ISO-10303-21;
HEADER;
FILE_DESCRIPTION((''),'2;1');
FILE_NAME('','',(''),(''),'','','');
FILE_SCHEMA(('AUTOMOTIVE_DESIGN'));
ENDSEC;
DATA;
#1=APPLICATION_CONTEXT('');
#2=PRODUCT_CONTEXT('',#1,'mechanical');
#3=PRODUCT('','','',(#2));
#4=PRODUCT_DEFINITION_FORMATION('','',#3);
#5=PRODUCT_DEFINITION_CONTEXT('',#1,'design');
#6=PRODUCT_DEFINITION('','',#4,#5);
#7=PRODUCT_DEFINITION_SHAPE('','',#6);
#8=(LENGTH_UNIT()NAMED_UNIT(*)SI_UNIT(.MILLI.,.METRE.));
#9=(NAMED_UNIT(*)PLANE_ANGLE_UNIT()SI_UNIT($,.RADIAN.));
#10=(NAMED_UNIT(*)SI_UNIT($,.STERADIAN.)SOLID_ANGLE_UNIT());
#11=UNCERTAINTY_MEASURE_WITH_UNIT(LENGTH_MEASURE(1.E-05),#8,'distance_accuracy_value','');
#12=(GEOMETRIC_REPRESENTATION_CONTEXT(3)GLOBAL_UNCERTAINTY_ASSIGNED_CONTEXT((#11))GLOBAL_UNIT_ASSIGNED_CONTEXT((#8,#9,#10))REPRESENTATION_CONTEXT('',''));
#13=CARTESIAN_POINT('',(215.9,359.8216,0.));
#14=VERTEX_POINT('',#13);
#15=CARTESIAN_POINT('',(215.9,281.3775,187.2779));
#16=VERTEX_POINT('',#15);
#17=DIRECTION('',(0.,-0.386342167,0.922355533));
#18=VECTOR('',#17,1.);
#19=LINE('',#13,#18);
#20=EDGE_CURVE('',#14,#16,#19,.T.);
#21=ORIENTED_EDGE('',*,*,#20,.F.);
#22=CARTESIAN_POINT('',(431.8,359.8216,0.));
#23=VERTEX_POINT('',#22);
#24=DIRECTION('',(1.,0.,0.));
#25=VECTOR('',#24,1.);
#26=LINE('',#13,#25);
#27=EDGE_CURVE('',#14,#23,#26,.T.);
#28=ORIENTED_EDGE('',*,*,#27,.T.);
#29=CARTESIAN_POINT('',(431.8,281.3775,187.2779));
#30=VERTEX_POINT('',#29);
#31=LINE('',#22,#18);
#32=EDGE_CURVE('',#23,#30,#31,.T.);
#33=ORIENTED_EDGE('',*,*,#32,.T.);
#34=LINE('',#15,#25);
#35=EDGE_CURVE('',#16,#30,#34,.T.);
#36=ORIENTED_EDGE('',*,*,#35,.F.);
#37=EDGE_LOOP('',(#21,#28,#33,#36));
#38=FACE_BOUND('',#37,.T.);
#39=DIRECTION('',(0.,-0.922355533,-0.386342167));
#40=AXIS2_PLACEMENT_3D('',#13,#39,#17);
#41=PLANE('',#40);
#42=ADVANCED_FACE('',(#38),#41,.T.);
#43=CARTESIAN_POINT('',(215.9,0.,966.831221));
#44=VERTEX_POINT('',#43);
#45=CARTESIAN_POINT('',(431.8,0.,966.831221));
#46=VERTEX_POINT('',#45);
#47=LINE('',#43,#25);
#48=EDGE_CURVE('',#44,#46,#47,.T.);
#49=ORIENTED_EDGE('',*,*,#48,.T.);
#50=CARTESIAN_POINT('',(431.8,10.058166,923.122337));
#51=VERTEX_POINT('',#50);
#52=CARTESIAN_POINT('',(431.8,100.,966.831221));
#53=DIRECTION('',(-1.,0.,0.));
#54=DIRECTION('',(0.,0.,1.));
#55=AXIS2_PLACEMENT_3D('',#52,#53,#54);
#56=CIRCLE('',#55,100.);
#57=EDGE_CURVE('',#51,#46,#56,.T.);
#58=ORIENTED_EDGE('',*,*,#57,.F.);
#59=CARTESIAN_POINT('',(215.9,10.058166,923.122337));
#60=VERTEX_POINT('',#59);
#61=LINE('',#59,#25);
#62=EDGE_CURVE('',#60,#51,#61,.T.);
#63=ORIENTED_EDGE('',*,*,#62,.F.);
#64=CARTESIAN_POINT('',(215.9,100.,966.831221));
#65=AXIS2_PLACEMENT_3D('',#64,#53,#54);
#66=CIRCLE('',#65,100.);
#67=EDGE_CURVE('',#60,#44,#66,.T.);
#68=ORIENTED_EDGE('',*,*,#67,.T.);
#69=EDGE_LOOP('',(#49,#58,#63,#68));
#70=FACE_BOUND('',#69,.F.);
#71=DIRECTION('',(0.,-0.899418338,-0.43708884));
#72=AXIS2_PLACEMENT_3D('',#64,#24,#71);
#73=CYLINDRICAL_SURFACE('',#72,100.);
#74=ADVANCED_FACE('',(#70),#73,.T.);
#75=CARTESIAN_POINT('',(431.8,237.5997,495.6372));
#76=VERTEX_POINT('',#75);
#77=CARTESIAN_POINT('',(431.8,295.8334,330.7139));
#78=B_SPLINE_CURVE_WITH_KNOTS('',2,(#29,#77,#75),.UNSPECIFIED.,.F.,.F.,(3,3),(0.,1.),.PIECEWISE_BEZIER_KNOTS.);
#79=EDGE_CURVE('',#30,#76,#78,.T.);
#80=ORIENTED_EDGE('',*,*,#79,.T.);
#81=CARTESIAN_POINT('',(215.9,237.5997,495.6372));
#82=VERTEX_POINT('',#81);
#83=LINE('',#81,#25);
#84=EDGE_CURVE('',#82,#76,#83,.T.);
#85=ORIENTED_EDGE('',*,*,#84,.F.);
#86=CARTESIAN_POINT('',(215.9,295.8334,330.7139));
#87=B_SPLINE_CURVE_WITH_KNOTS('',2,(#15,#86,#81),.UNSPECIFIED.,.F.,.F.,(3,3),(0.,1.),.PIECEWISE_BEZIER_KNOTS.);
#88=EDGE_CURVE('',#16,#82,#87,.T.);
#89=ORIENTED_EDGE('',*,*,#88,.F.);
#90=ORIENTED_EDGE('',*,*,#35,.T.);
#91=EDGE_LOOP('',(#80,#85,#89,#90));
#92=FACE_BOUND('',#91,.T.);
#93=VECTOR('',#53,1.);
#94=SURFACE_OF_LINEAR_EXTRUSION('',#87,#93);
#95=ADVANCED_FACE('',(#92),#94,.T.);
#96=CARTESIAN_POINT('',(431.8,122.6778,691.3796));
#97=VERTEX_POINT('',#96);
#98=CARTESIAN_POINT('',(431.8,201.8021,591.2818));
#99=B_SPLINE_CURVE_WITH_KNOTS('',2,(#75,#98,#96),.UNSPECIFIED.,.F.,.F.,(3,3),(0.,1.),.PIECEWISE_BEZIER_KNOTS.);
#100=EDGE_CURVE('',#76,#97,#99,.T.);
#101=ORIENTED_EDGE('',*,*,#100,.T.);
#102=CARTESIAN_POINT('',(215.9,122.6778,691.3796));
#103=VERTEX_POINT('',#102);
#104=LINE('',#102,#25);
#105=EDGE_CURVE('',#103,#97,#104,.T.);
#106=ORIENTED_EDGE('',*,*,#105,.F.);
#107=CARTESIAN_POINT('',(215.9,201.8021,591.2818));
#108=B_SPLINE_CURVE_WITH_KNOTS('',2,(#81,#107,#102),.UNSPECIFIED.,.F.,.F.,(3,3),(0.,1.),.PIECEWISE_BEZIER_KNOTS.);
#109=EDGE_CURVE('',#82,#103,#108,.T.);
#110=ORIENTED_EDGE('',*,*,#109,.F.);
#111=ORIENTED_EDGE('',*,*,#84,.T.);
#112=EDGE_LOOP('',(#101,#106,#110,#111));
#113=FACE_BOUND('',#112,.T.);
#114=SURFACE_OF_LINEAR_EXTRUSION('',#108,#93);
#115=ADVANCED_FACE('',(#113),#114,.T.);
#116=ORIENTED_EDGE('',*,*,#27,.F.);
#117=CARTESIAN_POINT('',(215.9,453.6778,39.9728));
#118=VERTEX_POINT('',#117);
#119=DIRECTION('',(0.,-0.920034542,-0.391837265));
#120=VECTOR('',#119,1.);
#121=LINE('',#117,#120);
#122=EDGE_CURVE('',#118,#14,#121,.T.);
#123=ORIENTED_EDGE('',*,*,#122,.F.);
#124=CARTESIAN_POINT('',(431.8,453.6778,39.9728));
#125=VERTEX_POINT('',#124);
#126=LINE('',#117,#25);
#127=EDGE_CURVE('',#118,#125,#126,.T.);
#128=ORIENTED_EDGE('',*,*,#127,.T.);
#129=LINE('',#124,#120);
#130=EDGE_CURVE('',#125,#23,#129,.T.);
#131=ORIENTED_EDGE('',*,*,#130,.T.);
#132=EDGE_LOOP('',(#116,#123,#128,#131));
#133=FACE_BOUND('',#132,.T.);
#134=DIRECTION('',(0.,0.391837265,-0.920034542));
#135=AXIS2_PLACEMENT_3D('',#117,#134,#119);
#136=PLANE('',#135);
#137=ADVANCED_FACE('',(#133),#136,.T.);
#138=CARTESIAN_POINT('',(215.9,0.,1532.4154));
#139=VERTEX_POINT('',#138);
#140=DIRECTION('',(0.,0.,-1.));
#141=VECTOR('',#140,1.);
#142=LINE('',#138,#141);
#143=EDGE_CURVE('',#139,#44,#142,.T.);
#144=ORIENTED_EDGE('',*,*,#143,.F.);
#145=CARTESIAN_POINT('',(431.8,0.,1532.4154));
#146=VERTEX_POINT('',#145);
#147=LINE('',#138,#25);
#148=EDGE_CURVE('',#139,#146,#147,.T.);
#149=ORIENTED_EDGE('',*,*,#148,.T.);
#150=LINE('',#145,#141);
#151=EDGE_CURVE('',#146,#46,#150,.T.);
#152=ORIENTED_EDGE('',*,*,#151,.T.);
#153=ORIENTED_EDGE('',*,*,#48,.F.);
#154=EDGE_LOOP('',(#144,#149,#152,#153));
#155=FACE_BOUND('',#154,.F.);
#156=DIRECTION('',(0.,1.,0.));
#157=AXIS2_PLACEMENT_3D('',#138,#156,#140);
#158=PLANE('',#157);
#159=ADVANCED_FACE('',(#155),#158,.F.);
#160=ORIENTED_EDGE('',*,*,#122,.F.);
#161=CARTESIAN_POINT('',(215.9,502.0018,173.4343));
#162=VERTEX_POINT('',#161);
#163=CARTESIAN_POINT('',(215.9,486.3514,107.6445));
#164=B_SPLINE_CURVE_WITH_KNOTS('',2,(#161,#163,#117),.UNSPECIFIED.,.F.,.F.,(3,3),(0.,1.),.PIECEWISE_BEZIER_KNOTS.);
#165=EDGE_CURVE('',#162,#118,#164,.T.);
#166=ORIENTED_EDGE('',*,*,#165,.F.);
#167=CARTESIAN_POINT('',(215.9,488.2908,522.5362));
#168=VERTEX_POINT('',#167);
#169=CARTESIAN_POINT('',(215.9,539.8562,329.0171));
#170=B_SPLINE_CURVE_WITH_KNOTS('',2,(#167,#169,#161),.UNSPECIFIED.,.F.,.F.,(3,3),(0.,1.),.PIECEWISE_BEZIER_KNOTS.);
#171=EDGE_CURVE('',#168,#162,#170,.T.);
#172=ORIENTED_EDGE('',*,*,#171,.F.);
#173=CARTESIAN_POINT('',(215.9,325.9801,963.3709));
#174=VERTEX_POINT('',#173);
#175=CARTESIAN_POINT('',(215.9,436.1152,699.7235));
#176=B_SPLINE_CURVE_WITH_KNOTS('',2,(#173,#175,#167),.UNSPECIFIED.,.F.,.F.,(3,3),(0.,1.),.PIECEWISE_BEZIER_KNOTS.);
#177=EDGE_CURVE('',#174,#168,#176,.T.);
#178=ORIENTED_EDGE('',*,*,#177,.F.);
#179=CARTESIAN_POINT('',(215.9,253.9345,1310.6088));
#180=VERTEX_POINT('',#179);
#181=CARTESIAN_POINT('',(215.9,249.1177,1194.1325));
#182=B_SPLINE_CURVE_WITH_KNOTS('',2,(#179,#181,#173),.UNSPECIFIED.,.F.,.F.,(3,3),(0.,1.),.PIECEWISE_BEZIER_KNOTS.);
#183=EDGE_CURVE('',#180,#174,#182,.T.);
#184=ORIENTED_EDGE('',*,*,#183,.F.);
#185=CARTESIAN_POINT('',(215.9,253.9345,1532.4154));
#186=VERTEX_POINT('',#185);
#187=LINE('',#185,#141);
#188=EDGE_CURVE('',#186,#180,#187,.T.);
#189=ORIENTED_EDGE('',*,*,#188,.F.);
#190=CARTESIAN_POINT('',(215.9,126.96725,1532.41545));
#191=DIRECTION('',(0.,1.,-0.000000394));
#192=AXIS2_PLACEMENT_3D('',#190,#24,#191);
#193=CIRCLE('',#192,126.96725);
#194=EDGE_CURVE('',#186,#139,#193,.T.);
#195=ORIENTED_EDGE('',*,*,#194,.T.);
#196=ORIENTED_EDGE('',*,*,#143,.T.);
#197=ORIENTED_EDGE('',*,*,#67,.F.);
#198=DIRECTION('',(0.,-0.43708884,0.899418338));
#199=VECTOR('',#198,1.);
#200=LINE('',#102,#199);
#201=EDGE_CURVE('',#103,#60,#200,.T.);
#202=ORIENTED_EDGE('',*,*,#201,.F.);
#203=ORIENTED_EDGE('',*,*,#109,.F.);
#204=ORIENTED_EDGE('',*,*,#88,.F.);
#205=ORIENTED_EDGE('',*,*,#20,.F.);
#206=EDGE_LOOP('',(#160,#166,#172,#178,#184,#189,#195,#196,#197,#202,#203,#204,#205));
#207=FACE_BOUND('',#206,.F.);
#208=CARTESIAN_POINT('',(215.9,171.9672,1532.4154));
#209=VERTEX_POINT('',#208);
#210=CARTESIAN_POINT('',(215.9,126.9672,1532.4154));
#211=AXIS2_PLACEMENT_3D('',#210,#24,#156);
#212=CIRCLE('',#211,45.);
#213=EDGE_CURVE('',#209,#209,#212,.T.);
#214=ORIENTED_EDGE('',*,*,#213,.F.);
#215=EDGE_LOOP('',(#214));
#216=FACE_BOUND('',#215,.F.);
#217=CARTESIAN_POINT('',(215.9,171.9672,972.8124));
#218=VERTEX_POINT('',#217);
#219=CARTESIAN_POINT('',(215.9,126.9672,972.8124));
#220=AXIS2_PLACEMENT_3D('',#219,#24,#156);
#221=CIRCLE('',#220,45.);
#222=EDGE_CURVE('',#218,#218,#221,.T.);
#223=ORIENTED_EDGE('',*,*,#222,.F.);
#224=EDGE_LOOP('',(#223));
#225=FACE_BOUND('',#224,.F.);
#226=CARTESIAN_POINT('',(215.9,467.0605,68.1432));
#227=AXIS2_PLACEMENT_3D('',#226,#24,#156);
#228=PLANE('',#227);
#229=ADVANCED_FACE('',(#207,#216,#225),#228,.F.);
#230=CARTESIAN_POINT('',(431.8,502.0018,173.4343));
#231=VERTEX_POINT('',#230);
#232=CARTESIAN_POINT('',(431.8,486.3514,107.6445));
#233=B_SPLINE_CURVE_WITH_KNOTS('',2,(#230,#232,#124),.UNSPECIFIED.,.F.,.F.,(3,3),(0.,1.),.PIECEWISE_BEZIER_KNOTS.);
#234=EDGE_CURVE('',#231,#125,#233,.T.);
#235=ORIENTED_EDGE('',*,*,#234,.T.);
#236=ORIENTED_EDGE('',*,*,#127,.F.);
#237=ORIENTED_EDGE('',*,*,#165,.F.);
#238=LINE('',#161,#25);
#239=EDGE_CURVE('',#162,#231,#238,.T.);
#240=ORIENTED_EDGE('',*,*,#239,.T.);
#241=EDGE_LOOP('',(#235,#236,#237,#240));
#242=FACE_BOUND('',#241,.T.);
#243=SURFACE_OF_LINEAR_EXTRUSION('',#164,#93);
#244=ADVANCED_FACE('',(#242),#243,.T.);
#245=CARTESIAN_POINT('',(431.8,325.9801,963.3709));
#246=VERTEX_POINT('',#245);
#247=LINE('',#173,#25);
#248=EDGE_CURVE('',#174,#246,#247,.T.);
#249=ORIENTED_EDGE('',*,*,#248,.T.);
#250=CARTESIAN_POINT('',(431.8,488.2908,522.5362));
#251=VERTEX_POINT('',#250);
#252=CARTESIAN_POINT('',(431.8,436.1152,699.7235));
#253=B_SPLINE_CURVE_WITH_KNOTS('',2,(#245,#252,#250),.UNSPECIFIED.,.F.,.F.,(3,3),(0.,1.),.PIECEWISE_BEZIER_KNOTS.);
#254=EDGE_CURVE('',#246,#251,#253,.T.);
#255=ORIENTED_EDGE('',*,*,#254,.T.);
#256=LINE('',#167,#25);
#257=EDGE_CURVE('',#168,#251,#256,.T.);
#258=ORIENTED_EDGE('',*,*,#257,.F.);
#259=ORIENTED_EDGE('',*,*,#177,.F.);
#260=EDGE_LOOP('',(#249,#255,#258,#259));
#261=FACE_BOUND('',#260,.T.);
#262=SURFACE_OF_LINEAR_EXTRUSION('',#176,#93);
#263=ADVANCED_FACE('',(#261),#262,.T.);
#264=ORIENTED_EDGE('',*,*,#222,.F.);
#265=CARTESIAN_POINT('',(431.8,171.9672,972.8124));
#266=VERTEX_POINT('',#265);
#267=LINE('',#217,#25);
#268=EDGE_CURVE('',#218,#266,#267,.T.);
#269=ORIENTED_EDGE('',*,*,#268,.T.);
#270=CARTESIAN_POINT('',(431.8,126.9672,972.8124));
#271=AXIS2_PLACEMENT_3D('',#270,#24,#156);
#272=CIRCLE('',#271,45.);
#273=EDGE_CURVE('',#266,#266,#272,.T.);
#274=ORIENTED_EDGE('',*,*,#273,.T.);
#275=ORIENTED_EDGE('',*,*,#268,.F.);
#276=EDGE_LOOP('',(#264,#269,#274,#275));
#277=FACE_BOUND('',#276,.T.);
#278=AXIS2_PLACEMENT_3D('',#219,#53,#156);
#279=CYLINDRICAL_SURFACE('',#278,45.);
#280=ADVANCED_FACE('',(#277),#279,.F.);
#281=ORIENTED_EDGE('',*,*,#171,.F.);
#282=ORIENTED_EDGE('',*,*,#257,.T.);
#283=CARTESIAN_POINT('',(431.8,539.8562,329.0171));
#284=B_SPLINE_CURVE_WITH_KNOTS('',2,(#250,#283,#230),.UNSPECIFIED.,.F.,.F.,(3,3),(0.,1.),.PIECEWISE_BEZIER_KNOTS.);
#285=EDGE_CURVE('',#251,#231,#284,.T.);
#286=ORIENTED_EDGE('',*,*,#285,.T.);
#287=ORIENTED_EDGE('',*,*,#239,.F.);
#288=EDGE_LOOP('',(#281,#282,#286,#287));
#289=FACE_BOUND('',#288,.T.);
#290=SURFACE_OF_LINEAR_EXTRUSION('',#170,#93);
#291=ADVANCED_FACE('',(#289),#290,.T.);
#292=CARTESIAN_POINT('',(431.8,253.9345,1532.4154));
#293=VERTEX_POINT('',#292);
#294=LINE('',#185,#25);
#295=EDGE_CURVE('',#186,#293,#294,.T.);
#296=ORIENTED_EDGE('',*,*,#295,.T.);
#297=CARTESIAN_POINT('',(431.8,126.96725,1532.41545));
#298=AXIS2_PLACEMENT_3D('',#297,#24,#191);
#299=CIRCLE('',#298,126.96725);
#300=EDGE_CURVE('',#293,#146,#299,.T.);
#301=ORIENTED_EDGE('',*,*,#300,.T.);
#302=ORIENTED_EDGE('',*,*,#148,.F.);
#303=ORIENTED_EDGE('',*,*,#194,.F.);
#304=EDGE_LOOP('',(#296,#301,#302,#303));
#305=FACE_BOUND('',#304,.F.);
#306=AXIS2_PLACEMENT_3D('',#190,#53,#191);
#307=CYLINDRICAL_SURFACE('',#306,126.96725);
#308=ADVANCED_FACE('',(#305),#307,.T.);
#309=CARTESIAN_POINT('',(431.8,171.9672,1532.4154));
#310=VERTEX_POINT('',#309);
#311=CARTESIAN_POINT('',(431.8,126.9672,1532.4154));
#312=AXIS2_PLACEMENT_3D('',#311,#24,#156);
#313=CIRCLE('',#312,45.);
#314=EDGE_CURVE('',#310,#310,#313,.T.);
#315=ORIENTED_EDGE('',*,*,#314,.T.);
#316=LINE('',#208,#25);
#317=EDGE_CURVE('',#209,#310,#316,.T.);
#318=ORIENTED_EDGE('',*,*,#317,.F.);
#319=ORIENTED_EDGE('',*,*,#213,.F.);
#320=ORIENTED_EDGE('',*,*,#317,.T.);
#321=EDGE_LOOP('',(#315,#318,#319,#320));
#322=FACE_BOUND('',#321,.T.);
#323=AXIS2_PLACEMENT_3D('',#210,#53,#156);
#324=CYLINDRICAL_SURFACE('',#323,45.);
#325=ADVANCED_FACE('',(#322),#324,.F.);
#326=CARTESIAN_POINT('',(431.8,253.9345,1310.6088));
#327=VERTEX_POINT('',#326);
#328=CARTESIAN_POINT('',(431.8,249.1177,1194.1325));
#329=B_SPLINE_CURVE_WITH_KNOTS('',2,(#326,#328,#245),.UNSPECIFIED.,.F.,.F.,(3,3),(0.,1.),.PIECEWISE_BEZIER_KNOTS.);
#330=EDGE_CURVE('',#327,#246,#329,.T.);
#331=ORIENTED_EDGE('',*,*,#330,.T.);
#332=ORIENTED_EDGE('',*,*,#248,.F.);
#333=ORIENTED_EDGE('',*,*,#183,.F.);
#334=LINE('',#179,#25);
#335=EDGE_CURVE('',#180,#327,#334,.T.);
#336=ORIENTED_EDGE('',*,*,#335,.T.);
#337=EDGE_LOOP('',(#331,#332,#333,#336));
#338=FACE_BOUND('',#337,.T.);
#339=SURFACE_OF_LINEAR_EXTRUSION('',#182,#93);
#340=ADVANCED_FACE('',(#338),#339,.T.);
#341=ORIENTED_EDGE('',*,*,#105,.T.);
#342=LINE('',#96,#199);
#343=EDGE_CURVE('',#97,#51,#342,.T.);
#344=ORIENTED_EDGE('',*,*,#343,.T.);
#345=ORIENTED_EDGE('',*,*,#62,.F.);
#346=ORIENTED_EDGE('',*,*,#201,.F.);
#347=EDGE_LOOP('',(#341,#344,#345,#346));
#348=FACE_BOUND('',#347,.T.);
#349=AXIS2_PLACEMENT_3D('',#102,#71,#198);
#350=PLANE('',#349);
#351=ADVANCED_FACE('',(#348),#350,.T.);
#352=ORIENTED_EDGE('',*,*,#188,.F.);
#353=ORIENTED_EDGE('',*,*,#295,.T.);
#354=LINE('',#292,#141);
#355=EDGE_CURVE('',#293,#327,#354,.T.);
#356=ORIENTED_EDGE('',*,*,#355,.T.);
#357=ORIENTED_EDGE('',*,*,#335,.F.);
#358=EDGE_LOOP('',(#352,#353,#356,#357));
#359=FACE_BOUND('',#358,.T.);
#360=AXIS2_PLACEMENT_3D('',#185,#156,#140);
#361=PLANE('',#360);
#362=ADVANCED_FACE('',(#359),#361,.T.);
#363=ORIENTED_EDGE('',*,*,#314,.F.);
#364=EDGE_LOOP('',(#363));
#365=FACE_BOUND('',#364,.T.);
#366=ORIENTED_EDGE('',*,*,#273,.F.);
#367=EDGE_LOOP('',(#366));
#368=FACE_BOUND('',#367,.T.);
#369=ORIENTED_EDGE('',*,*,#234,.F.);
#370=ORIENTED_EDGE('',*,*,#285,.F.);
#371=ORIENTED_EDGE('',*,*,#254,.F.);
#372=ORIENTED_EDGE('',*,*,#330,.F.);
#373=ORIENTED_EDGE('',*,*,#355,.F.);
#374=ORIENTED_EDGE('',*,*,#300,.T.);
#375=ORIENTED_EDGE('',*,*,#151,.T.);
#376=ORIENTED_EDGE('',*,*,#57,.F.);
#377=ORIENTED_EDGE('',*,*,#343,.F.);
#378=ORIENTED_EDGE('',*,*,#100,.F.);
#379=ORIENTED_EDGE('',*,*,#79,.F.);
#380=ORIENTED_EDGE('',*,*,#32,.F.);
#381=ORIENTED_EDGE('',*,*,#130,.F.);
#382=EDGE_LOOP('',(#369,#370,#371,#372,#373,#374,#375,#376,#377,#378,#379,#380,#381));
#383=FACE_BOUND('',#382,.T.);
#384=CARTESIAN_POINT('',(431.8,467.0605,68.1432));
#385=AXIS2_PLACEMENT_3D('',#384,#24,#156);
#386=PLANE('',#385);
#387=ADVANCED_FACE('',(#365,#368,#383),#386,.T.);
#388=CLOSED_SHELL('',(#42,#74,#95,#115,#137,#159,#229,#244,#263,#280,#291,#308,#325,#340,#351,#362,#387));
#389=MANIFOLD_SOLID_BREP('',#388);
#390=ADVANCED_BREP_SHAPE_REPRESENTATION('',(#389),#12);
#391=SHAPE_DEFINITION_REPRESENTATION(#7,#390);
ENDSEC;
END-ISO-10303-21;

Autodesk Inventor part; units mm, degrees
ref_plane "YZ Plane" through (0, 0, 0) normal (1, 0, 0) x (0, 1, 0)
ref_plane "XZ Plane" through (0, 0, 0) normal (0, 1, 0) x (-1, 0, 0)
ref_plane "XY Plane" through (0, 0, 0) normal (0, 0, 1) x (1, 0, 0)
ref_plane "Work Plane1" through (215.9, 467.0605, 68.1432) normal (1, 0, 0) x (0, 1, 0)
sketch "Sketch1" plane through (215.9, 467.0605, 68.1432) normal (1, 0, 0) x (0, 1, 0)
  line L0 (-213.126, 1464.2722) -> (-213.126, 1242.4656)
  spline S0 degree 2 poles (-213.126, 1242.4656) (-217.9428, 1125.9893) (-141.0804, 895.2277) knots 0 0 0 1 1 1
  spline S1 degree 2 poles (-141.0804, 895.2277) (-30.9453, 631.5803) (21.2303, 454.393) knots 0 0 0 1 1 1
  spline S2 degree 2 poles (21.2303, 454.393) (72.7957, 260.8739) (34.9413, 105.2911) knots 0 0 0 1 1 1
  spline S3 degree 2 poles (34.9413, 105.2911) (19.2909, 39.5013) (-13.3827, -28.1704) knots 0 0 0 1 1 1
  line L1 (-13.3827, -28.1704) -> (-107.2389, -68.1432)
  line L2 (-107.2389, -68.1432) -> (-185.683, 119.1347)
  spline S4 degree 2 poles (-185.683, 119.1347) (-171.2271, 262.5707) (-229.4608, 427.494) knots 0 0 0 1 1 1
  spline S5 degree 2 poles (-229.4608, 427.494) (-265.2584, 523.1386) (-344.3827, 623.2364) knots 0 0 0 1 1 1
  line L3 (-344.3827, 623.2364) -> (-467.0605, 875.6763)
  line L4 (-467.0605, 1464.2722) -> (-467.0605, 875.6763)
  arc A0 (-213.126, 1464.2722) -> (-467.0605, 1464.2722) centre (-340.0933, 1464.2722) ccw
  circle A1 centre (-340.0933, 1464.2722) radius 45
  circle A2 centre (-340.0933, 904.6692) radius 45
  point P0 (-467.0605, -68.1432)
  point P1 (-203.4806, 1128.5151)
  point P2 (-36.7776, 629.4713)
  point P3 (50.7616, 260.3303)
  point P4 (15.6727, 40.7996)
  point P5 (-188.3614, 260.3302)
  point P6 (-272.8905, 518.7472)
  dimension "d0" = 90
  dimension "d1" = 90
  dimension "d5" = 126.9673
extrude "Extrusion1" add sketch "Sketch1" along normal blind 215.9
fillet "Fillet1" radius 100 1 edges at (323.85, 0, 943.8196)
properties part number "Final Gripper 1"
